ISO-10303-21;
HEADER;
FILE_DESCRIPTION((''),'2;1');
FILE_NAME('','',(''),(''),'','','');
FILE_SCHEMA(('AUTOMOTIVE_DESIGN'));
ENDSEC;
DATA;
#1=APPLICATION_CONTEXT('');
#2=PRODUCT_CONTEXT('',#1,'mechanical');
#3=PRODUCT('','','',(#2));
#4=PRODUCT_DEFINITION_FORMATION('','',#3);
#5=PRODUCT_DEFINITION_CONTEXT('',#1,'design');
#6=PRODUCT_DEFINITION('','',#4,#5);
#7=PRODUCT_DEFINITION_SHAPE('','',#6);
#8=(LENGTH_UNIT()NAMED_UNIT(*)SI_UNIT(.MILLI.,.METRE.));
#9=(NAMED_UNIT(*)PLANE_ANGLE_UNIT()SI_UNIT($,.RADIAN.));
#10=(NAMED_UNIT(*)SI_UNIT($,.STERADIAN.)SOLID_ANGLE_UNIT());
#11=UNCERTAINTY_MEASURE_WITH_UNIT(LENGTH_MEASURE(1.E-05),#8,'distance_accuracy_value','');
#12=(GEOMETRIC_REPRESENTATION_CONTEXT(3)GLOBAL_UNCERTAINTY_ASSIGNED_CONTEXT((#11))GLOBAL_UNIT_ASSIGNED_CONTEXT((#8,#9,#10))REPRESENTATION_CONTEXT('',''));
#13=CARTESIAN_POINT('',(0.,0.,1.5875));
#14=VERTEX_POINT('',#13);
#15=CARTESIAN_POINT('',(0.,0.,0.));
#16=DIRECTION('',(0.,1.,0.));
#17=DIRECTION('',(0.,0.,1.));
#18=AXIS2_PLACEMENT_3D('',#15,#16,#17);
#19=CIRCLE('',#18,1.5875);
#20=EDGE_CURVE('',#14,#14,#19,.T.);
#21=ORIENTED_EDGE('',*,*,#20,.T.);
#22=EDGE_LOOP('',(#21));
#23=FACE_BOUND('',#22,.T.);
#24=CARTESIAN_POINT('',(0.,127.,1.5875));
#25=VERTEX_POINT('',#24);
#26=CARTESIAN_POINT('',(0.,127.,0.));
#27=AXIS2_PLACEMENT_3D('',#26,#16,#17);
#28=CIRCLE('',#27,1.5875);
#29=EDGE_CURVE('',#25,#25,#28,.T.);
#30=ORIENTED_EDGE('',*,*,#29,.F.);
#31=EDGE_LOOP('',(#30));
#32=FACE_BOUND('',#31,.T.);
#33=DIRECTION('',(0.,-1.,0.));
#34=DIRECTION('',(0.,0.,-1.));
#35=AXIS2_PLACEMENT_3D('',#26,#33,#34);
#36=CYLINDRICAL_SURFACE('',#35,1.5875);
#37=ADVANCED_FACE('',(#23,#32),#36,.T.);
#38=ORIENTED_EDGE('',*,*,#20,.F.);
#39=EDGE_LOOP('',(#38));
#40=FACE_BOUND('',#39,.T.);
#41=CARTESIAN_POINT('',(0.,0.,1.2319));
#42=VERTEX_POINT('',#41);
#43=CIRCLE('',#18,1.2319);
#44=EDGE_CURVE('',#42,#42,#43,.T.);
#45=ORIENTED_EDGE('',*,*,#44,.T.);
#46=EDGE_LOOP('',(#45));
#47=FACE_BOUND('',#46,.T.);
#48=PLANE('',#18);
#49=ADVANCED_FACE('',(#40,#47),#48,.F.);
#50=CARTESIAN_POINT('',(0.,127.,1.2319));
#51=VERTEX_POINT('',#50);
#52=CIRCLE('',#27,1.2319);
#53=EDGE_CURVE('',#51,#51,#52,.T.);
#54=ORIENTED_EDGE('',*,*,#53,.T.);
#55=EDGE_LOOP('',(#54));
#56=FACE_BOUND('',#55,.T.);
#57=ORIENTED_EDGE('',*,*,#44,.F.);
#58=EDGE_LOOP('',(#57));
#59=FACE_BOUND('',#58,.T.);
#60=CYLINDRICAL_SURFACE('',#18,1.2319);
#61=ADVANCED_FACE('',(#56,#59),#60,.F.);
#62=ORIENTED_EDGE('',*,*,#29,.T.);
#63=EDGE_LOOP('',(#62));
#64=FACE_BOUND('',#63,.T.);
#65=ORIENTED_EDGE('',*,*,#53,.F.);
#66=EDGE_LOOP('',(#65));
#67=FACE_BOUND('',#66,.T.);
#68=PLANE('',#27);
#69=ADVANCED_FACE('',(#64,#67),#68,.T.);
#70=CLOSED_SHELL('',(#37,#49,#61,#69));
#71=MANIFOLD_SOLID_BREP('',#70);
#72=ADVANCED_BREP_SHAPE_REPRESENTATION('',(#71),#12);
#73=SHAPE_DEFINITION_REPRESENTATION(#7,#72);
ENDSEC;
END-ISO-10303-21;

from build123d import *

# Parameters (mm, degrees)
SKETCH1_R           = 1.5875
BOSS_EXTRUDE1_DEPTH = 127
SKETCH2_R           = 1.2319
CUT_EXTRUDE1_DEPTH  = 128


with BuildPart() as part:
    # Sketch1 → Boss-Extrude1 (new body)
    with BuildSketch(Plane(origin=(0, 0, 0), x_dir=(1, 0, 0), z_dir=(0, 1, 0))):
        Circle(SKETCH1_R)
    extrude(amount=BOSS_EXTRUDE1_DEPTH)

    # Sketch2 → Cut-Extrude1 (cut, through all)
    with BuildSketch(Plane(origin=(0, 127, 0), x_dir=(1, 0, 0), z_dir=(0, 1, 0))):
        Circle(SKETCH2_R)
    extrude(amount=-CUT_EXTRUDE1_DEPTH, mode=Mode.SUBTRACT)


solid = part.part
